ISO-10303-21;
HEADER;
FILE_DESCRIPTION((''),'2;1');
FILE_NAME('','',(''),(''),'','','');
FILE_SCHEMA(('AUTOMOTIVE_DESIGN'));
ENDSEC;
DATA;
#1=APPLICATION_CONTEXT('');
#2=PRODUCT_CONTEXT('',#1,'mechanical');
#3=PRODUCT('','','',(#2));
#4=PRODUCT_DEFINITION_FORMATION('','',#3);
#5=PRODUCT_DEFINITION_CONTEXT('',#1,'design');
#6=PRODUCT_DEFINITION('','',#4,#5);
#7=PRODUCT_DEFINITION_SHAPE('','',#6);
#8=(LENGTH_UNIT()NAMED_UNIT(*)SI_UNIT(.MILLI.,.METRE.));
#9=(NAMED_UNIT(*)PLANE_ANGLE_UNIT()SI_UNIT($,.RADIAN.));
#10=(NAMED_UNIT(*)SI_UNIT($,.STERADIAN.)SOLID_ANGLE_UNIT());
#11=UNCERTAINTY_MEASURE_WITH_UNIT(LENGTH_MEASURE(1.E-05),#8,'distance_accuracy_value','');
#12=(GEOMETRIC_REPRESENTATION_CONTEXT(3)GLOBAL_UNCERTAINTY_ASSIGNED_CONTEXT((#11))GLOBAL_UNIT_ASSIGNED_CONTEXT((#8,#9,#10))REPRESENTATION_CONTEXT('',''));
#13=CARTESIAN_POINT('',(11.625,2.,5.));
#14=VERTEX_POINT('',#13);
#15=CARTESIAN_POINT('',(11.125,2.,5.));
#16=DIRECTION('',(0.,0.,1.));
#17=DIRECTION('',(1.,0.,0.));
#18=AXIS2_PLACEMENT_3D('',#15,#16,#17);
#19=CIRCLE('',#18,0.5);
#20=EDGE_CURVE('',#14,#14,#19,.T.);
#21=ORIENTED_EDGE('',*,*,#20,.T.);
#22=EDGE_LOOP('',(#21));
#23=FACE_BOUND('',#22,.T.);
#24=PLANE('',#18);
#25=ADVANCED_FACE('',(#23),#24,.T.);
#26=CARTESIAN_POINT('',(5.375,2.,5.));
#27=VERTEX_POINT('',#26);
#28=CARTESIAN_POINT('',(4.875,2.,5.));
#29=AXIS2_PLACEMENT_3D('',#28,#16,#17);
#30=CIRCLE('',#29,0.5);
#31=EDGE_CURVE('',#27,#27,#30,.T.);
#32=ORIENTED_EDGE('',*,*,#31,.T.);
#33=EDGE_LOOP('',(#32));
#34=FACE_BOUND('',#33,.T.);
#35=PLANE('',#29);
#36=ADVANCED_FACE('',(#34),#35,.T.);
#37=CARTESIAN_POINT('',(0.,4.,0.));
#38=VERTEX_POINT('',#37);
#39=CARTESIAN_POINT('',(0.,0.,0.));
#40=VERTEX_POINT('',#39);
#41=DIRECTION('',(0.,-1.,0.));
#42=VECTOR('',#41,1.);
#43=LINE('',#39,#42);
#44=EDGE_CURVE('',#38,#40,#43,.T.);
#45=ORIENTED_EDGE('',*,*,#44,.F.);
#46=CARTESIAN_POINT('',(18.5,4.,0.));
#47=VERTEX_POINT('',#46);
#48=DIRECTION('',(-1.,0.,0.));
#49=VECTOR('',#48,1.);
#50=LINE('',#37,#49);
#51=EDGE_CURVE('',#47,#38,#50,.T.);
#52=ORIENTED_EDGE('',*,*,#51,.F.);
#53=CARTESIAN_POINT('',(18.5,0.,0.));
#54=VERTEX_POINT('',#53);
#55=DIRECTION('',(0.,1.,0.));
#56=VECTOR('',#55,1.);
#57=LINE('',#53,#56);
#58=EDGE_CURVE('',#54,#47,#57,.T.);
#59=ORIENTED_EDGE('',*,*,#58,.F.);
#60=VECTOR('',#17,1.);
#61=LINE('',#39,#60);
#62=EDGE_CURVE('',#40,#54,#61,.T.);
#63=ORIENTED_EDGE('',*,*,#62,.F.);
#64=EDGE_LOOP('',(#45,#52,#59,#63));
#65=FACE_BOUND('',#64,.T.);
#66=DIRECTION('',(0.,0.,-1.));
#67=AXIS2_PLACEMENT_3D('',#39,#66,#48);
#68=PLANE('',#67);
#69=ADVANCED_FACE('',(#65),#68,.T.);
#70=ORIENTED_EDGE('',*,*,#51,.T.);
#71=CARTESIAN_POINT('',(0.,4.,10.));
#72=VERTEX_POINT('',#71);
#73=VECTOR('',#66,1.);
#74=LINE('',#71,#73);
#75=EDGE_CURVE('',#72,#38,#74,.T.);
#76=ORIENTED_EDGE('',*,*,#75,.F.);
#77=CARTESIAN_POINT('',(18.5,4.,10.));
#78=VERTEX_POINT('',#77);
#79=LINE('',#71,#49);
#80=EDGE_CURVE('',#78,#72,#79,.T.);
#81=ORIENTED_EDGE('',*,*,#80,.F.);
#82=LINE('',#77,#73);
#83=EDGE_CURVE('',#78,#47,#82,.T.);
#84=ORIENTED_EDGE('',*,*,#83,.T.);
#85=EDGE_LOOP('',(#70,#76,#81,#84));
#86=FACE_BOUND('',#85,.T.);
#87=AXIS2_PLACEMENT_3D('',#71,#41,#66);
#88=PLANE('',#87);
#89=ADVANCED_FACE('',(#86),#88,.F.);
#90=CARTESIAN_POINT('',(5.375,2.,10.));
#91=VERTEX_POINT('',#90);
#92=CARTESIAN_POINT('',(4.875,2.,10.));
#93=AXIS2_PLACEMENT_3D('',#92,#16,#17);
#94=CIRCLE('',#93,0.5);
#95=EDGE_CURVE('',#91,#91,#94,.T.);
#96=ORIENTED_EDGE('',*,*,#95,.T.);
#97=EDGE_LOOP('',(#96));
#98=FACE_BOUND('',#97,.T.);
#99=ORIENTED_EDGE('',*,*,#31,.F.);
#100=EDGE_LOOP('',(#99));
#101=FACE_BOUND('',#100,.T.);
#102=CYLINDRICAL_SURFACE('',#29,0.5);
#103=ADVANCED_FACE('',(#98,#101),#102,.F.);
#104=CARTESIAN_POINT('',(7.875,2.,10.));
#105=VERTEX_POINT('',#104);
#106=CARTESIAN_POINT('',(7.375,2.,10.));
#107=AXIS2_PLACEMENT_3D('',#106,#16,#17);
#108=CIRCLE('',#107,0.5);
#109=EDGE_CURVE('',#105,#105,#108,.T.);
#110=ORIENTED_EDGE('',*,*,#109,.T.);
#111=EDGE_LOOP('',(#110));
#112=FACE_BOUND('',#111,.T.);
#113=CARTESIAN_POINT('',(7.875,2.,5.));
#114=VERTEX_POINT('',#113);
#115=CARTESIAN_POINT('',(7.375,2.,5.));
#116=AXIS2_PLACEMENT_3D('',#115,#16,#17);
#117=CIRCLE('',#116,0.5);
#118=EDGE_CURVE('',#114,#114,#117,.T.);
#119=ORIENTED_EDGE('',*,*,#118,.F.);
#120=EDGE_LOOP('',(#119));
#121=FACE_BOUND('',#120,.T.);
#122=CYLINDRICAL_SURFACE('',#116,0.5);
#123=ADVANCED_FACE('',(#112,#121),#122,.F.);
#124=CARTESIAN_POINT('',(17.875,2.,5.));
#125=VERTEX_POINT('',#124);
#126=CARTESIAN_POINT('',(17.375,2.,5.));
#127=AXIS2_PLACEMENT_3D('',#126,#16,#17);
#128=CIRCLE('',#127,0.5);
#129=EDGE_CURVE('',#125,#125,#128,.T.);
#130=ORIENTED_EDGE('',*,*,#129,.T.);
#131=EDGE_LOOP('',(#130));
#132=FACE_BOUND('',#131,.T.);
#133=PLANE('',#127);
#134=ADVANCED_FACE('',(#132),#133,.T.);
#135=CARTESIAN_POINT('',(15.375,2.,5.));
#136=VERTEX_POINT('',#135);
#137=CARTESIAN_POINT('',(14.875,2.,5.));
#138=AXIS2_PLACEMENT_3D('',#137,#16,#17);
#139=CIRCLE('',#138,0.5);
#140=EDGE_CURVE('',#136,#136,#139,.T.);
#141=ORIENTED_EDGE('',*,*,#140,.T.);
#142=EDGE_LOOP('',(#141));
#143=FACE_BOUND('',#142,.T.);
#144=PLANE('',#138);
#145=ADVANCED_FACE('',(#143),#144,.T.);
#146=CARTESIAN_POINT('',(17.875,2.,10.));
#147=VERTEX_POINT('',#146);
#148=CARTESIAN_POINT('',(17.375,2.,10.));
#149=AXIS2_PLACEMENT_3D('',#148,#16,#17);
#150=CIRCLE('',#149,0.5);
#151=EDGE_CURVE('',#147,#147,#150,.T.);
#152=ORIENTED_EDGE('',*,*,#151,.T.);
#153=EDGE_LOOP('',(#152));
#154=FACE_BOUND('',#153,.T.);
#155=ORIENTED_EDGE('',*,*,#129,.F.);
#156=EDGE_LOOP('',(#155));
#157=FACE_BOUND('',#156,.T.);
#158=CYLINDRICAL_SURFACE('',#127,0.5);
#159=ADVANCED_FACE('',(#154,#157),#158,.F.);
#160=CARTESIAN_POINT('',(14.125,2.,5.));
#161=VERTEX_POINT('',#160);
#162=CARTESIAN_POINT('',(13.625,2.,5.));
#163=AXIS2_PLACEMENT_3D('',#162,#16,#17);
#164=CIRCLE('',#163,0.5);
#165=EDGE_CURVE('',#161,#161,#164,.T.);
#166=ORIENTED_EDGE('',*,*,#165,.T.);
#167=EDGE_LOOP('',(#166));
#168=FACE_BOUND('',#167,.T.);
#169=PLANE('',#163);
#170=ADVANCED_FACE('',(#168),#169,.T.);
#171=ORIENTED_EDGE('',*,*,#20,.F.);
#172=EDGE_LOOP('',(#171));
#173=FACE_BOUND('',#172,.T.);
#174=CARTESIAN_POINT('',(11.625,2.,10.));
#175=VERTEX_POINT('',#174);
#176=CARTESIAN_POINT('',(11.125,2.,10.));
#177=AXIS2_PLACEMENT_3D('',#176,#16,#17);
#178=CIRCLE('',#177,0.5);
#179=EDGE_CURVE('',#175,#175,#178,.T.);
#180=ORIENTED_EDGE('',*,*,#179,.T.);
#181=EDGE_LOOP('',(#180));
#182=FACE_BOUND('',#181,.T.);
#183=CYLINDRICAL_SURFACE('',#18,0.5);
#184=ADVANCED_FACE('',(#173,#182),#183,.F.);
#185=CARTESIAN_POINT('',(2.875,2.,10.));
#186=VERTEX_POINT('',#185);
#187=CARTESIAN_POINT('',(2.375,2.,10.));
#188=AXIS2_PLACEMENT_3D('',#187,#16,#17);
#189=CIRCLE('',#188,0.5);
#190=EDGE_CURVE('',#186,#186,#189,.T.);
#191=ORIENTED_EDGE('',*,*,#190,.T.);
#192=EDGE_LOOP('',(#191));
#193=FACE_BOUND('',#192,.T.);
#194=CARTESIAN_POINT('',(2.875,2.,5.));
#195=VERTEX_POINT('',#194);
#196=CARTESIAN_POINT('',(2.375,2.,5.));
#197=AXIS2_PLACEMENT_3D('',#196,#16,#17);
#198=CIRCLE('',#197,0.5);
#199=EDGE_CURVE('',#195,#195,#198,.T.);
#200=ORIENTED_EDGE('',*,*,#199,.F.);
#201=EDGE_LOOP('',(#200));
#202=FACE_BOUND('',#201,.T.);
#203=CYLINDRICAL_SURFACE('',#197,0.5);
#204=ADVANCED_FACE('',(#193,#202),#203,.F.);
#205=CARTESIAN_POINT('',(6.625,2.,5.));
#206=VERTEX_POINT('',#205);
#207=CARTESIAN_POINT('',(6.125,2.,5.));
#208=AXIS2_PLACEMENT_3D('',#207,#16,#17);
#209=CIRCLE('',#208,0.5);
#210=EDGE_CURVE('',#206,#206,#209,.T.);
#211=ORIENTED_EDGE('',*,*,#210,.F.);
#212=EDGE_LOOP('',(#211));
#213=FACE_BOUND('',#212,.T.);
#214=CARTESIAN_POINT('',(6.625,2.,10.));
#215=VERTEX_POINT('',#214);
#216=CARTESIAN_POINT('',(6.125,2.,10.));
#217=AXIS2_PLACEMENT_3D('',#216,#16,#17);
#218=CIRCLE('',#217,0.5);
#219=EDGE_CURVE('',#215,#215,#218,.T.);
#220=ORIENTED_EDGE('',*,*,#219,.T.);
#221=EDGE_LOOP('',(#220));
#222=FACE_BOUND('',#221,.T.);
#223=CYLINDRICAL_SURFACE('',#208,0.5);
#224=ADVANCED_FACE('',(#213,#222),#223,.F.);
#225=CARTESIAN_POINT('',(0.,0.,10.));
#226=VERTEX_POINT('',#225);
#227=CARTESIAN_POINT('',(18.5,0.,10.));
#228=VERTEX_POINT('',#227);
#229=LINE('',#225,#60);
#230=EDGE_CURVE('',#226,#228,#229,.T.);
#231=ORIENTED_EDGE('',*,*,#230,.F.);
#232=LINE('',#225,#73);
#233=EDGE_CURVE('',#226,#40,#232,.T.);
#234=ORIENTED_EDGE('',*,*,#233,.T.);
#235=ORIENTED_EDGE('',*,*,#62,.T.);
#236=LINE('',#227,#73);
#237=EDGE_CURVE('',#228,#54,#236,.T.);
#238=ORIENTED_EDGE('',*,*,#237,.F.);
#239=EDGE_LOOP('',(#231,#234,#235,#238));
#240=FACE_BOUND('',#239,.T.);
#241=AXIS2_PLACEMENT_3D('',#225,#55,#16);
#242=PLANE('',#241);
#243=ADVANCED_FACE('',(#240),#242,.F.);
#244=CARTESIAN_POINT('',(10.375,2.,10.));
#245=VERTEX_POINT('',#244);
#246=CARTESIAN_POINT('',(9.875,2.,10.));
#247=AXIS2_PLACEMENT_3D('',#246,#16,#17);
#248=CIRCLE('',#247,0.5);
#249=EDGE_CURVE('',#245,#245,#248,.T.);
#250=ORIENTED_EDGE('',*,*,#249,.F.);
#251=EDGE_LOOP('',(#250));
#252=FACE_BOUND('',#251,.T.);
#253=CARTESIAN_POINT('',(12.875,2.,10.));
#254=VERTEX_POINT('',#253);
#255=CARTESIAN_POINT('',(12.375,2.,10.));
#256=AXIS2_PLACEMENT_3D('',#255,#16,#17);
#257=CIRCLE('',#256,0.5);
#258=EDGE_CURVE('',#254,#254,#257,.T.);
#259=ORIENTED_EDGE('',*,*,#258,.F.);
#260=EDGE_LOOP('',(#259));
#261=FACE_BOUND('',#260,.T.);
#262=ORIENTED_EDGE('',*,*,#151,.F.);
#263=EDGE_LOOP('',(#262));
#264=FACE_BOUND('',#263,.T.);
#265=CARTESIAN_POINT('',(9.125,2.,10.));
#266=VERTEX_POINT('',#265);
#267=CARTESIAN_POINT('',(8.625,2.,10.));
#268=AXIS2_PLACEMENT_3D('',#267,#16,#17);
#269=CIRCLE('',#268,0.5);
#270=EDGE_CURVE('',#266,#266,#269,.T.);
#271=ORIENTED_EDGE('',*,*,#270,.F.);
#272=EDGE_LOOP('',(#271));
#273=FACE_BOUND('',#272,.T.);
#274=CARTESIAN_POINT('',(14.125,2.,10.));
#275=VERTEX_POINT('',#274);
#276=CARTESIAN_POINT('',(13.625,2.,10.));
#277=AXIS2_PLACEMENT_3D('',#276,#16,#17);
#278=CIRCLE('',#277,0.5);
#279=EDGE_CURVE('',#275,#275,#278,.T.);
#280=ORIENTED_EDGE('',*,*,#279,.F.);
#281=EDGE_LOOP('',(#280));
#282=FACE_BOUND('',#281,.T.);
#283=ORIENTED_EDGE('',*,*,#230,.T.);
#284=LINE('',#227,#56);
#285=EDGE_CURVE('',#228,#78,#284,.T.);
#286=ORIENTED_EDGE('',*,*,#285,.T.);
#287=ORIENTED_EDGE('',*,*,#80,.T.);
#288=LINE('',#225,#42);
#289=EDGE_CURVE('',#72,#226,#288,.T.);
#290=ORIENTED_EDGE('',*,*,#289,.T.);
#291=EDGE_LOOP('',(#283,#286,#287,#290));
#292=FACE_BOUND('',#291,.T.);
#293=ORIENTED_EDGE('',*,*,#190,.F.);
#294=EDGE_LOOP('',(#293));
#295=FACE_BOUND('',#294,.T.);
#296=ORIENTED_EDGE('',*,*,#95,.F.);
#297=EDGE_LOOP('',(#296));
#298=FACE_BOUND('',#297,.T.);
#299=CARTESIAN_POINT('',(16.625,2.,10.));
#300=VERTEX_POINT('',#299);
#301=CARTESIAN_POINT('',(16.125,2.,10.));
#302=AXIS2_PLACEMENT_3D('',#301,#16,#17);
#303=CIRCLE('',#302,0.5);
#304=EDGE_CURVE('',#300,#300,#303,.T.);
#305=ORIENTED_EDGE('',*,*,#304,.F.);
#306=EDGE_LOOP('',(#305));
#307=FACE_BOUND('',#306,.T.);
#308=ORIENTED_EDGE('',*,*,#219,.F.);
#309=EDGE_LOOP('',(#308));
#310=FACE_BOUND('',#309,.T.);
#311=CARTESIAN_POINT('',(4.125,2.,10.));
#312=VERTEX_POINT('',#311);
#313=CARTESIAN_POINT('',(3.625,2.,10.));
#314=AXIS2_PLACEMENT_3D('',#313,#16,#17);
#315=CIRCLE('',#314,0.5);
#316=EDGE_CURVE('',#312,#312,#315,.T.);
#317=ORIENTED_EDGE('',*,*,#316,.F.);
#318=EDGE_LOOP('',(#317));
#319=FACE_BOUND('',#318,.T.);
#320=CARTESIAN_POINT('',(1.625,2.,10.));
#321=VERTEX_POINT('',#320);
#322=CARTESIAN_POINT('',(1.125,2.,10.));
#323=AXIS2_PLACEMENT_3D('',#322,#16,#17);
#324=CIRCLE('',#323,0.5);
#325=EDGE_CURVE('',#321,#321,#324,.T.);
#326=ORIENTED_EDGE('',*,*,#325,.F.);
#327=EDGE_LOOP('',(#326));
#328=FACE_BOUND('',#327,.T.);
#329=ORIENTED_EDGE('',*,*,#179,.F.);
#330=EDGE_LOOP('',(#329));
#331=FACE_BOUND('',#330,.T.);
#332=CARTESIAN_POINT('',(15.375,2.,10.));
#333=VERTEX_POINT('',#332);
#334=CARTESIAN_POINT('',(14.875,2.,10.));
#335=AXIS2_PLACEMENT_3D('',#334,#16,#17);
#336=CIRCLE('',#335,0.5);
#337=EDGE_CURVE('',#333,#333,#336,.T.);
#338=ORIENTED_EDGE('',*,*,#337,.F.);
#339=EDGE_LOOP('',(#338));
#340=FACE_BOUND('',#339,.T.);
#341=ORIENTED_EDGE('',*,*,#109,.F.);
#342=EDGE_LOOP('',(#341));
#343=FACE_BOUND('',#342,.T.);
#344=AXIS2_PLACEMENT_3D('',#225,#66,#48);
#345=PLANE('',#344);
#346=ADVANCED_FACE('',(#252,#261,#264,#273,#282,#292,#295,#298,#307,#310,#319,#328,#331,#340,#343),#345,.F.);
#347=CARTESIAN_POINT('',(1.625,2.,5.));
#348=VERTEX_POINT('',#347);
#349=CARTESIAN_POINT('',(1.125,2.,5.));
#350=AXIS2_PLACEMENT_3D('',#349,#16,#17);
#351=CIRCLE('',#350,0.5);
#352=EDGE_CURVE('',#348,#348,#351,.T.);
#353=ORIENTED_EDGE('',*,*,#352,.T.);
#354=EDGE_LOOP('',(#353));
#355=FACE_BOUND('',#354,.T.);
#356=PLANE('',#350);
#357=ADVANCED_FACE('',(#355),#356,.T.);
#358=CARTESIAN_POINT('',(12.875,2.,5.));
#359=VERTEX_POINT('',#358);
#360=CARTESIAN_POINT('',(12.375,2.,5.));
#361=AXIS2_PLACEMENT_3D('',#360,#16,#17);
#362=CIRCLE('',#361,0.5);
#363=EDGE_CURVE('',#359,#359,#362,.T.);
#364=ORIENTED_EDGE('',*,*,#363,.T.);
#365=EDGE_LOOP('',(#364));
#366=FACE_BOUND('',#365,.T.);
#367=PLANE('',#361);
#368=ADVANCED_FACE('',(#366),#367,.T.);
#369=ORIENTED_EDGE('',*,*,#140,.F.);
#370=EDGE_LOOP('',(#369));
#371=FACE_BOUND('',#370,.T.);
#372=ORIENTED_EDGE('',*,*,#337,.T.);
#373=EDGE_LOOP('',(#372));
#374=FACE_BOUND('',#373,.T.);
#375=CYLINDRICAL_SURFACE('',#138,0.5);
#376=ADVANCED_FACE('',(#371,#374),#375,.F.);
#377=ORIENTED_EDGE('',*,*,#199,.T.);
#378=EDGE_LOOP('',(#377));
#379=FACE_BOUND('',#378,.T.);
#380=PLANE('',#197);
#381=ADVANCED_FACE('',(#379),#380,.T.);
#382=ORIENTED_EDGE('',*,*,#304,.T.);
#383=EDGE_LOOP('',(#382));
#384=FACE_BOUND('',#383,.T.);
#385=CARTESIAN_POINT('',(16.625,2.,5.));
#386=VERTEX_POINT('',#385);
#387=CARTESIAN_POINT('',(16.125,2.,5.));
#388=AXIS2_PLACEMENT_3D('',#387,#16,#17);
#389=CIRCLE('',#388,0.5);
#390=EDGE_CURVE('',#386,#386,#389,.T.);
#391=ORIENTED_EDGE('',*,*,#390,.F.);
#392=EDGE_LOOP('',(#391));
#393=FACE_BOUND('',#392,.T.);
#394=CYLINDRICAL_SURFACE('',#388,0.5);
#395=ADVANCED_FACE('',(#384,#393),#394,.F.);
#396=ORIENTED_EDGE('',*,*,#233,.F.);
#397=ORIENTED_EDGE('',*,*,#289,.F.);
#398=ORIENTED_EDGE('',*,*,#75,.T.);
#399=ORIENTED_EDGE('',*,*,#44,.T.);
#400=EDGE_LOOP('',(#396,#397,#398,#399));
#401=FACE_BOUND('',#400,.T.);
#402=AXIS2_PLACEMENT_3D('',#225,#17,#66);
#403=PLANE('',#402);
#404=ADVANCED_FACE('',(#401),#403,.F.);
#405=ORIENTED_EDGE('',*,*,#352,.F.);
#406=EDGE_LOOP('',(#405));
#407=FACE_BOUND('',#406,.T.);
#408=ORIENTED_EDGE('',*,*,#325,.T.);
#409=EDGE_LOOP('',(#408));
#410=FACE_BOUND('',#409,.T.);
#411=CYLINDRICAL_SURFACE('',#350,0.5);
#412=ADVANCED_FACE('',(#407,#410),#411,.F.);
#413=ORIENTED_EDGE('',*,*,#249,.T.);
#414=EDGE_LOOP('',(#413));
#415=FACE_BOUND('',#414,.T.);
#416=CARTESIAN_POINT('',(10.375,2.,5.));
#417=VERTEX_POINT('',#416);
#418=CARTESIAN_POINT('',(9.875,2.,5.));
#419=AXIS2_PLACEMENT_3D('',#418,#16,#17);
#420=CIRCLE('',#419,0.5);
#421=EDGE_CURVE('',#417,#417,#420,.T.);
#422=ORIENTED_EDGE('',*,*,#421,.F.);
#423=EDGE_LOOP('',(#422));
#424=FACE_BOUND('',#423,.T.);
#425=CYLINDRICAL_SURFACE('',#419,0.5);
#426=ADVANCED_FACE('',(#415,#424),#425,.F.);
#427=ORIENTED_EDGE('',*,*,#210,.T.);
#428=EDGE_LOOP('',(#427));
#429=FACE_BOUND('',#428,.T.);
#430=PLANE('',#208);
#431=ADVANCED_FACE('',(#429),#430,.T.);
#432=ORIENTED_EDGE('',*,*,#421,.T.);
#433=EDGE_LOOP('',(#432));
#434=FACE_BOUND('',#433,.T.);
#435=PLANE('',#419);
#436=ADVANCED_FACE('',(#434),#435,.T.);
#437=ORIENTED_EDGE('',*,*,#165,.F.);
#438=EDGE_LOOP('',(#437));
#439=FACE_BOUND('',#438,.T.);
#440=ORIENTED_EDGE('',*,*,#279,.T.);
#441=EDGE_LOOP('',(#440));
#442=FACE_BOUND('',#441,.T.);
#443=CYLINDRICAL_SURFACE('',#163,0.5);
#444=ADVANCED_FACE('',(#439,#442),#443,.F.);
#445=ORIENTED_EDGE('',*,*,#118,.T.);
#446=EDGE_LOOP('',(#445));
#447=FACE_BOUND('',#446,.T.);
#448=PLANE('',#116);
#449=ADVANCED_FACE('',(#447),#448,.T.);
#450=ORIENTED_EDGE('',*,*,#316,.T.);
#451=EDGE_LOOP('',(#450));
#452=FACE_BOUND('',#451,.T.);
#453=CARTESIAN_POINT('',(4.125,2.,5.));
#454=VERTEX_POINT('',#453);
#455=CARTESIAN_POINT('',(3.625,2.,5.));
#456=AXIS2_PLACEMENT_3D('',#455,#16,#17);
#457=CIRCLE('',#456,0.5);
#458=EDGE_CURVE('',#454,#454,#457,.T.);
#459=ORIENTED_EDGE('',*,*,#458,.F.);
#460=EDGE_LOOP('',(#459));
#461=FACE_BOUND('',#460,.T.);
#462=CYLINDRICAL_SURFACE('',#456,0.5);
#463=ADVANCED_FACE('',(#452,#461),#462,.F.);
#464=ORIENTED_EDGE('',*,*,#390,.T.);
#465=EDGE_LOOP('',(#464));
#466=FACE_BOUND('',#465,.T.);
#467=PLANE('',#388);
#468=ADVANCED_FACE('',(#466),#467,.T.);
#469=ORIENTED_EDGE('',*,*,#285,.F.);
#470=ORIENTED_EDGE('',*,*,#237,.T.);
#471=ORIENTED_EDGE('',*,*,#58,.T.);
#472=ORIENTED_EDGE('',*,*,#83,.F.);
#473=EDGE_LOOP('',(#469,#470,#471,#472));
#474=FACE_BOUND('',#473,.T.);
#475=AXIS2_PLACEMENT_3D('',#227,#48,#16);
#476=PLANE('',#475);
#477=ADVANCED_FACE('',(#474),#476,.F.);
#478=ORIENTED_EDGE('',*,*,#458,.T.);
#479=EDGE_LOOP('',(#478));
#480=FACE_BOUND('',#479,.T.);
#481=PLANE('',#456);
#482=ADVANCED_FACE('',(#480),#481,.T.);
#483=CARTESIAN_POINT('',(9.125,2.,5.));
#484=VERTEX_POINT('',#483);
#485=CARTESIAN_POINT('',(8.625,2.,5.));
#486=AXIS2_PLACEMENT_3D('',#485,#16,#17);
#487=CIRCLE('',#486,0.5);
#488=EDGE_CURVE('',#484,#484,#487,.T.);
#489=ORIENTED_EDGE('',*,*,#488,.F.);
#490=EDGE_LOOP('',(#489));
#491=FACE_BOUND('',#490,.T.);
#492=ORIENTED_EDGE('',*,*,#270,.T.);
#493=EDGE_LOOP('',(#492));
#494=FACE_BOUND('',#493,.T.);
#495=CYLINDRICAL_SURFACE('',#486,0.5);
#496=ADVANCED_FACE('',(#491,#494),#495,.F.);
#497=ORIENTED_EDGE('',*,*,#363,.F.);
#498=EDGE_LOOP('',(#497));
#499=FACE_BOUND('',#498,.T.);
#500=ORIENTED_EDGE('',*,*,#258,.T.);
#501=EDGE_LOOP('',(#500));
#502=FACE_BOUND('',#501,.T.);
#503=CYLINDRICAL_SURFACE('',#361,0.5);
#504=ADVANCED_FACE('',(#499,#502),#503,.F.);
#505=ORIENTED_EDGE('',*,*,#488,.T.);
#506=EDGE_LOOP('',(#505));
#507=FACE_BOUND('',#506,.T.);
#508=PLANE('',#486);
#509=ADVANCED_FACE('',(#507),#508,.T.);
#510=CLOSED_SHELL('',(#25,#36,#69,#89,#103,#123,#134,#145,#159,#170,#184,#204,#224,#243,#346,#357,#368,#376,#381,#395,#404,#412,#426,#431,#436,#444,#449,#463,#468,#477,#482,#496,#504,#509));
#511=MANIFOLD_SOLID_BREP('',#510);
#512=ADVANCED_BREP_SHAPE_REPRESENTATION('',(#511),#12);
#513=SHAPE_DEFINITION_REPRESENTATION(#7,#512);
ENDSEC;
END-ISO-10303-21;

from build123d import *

# Parameters (mm, degrees)
SKETCH2_W           = 18.5
SKETCH2_H           = 4
BOSS_EXTRUDE1_DEPTH = 10
SKETCH3_R           = 0.5
CUT_EXTRUDE1_DEPTH  = 5


with BuildPart() as part:
    # Sketch2 → Boss-Extrude1 (new body)
    with BuildSketch(Plane.XY):
        with Locations((9.25, 2)):
            Rectangle(SKETCH2_W, SKETCH2_H)
    extrude(amount=BOSS_EXTRUDE1_DEPTH)

    # Sketch3 → Cut-Extrude1 (cut)
    with BuildSketch(Plane.XY.offset(10)):
        with Locations((1.125, 2)):
            Circle(SKETCH3_R)
        with Locations((2.375, 2)):
            Circle(SKETCH3_R)
        with Locations((3.625, 2)):
            Circle(SKETCH3_R)
        with Locations((4.875, 2)):
            Circle(SKETCH3_R)
        with Locations((6.125, 2)):
            Circle(SKETCH3_R)
        with Locations((7.375, 2)):
            Circle(SKETCH3_R)
        with Locations((8.625, 2)):
            Circle(SKETCH3_R)
        with Locations((9.875, 2)):
            Circle(SKETCH3_R)
        with Locations((11.125, 2)):
            Circle(SKETCH3_R)
        with Locations((12.375, 2)):
            Circle(SKETCH3_R)
        with Locations((13.625, 2)):
            Circle(SKETCH3_R)
        with Locations((14.875, 2)):
            Circle(SKETCH3_R)
        with Locations((16.125, 2)):
            Circle(SKETCH3_R)
        with Locations((17.375, 2)):
            Circle(SKETCH3_R)
    extrude(amount=-CUT_EXTRUDE1_DEPTH, mode=Mode.SUBTRACT)


solid = part.part
